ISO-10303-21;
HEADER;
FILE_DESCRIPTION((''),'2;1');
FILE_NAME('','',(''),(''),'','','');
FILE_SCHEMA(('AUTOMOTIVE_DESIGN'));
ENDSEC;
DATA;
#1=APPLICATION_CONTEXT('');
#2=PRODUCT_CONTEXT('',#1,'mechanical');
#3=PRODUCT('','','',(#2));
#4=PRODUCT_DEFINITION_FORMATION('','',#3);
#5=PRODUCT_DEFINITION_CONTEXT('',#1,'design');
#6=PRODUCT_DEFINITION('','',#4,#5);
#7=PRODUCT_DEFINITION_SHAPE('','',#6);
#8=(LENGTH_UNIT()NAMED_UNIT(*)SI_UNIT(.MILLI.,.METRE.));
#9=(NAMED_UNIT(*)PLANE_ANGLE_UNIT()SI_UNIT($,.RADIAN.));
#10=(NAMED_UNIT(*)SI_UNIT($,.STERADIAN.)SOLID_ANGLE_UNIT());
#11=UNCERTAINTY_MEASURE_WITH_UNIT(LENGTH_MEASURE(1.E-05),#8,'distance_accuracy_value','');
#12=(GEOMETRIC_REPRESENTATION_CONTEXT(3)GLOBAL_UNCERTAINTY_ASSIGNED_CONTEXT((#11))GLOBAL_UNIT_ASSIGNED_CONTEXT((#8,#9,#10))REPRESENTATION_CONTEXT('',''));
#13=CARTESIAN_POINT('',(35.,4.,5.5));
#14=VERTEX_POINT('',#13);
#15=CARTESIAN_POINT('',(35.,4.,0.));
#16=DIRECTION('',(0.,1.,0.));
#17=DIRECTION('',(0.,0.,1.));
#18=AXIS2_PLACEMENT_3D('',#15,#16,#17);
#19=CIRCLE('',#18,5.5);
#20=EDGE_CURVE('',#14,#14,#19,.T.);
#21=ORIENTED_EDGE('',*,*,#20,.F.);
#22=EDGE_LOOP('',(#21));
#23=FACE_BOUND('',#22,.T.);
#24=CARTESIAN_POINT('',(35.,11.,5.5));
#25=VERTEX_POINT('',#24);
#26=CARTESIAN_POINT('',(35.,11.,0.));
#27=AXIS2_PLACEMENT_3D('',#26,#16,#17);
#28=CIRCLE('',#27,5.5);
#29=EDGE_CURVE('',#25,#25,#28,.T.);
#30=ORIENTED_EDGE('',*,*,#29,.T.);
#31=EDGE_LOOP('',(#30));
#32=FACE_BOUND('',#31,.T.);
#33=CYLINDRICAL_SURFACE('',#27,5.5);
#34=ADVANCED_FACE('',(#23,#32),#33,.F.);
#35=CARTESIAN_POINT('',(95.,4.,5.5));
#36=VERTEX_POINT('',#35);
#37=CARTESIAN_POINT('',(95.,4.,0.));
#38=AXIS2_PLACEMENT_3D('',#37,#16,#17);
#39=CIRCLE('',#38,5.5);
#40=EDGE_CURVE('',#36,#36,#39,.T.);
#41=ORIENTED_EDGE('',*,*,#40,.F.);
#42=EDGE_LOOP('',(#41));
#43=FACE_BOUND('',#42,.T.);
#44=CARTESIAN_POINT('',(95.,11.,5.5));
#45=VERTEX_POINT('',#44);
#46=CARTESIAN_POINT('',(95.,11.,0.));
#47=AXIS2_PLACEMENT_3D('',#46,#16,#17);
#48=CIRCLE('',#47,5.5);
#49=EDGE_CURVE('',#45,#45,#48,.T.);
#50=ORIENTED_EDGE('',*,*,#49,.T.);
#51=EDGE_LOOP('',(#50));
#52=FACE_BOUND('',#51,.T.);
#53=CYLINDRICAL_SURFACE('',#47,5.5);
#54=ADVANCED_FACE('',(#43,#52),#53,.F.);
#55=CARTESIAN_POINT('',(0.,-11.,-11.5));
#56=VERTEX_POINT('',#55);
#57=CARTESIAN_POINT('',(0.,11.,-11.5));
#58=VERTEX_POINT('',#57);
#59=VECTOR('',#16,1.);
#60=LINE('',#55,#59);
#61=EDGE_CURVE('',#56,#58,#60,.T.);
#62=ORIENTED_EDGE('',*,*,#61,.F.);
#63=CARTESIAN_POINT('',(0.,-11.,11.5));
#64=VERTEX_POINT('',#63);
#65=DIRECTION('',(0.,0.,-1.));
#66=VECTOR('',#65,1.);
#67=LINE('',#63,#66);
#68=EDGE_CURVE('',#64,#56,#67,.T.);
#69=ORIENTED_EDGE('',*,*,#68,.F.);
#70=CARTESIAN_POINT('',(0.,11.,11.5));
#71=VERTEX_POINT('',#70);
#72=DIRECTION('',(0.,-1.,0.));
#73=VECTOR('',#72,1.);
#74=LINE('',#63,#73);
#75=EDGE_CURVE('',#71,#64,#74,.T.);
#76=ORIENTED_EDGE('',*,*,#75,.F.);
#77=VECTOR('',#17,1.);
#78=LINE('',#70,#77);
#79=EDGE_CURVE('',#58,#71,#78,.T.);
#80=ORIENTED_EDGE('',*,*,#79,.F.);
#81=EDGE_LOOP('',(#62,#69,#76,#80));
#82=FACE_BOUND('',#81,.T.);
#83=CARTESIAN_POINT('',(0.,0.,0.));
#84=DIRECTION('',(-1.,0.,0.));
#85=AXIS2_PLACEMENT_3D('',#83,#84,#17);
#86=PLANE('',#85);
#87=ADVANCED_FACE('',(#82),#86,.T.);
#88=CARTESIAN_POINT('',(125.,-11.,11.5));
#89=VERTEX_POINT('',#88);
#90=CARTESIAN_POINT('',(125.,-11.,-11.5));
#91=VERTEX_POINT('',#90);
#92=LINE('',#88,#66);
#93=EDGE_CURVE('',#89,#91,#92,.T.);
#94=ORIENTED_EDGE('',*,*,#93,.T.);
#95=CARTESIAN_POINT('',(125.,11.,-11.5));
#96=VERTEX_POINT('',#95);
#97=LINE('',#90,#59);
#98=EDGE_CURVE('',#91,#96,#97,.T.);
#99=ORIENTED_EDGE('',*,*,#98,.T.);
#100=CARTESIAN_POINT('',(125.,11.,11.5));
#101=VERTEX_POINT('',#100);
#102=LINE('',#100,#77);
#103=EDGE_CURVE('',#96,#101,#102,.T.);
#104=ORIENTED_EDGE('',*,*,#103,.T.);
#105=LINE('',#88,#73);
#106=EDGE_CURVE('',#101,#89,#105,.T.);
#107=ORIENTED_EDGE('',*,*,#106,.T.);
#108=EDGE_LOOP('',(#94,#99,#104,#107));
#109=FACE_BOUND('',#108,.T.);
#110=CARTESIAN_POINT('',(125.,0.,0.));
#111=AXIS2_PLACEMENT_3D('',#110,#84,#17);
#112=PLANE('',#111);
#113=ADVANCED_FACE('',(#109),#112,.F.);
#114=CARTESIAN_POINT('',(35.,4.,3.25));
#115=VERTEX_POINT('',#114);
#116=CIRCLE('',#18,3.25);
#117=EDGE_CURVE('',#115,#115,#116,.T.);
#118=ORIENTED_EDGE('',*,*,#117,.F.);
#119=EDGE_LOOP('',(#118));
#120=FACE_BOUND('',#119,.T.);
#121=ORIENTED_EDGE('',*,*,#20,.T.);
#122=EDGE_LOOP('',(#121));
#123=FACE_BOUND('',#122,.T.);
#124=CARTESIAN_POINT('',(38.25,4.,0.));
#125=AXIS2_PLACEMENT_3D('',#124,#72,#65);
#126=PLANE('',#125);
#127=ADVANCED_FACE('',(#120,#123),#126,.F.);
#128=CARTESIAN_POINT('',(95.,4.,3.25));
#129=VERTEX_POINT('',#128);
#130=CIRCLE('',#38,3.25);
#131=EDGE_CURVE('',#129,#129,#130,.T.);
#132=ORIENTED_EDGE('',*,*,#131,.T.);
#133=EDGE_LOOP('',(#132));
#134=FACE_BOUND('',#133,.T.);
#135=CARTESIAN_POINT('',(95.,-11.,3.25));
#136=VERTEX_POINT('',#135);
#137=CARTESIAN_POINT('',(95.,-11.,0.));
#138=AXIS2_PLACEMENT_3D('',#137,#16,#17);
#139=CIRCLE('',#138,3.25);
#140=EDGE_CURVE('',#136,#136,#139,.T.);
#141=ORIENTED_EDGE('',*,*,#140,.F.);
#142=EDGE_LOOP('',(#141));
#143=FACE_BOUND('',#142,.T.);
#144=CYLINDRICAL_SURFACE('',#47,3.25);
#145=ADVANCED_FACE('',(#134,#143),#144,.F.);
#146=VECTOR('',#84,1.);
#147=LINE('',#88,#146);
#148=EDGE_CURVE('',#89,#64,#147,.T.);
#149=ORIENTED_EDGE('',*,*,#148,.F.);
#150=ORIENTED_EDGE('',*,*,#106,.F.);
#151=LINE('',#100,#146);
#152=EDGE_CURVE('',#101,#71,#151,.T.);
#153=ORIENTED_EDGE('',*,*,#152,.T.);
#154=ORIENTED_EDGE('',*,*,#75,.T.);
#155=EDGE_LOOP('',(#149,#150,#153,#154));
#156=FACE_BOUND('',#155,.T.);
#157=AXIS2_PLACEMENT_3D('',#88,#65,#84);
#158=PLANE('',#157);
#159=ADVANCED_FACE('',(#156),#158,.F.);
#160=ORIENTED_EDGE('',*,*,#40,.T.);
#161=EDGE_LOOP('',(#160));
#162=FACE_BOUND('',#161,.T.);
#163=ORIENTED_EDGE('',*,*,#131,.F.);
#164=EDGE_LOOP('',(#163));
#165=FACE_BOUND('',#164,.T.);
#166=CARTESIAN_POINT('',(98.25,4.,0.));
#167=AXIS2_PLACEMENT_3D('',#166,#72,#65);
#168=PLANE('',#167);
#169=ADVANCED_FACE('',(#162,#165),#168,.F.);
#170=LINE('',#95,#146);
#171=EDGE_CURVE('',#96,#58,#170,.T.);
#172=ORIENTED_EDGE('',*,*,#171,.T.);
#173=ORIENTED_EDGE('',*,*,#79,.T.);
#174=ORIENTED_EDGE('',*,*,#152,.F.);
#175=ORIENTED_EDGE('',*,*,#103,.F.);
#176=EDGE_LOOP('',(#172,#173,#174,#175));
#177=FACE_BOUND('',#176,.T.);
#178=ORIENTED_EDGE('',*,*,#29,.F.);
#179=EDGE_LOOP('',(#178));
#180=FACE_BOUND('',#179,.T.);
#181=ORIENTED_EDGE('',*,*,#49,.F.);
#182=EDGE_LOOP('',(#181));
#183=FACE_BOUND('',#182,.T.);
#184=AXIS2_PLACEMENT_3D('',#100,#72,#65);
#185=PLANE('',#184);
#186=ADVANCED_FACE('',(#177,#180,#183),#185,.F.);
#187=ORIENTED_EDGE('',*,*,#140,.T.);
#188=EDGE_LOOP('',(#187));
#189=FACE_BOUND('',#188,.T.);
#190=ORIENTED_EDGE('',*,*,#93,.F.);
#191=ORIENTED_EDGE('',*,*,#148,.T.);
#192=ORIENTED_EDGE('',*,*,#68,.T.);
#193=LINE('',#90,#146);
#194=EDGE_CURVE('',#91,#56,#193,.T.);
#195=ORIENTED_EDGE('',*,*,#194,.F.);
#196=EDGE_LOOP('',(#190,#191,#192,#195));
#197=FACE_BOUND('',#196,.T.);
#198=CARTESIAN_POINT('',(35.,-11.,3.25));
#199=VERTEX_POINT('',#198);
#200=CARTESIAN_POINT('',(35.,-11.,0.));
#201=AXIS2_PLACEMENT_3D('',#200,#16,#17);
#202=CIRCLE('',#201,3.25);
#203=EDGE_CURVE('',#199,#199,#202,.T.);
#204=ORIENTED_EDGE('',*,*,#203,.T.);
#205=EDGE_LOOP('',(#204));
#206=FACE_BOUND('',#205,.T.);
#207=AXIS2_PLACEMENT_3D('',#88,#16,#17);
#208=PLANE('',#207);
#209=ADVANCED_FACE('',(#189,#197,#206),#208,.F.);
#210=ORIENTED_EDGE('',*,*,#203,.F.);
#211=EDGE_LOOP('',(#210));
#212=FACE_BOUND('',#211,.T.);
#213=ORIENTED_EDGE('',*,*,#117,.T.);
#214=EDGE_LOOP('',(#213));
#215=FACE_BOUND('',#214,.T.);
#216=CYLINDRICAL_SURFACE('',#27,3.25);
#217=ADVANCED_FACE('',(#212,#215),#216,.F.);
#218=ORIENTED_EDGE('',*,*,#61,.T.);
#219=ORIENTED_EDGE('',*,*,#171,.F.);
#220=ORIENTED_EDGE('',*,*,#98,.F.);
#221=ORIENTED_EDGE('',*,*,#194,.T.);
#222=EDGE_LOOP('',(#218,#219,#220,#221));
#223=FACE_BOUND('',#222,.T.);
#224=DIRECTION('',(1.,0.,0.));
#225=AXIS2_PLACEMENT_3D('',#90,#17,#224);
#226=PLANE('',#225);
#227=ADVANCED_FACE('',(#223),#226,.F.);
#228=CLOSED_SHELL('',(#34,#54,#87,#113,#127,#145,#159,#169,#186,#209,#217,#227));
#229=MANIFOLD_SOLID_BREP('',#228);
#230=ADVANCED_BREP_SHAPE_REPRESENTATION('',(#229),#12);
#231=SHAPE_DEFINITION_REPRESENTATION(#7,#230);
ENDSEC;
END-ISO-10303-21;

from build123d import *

# Parameters (mm, degrees)
SKETCH_1_W                = 23
SKETCH_1_H                = 22
EXTRUDE_1_DEPTH           = 125
HOLE_WIZARD_1_D           = 6.5
HOLE_WIZARD_1_CBORE_D     = 11
HOLE_WIZARD_1_CBORE_DEPTH = 7
PATTERN_LINEAR_2_COUNT    = 2
PATTERN_LINEAR_2_PITCH    = 60


with BuildPart() as part:
    # 草图1 → 凸台-拉伸1 (new body)
    with BuildSketch(Plane(origin=(0, 0, 0), x_dir=(0, 0, -1), z_dir=(1, 0, 0))):
        Rectangle(SKETCH_1_W, SKETCH_1_H)
    extrude(amount=EXTRUDE_1_DEPTH)

    # 打孔尺寸(%根据)内六角圆柱头螺钉的类型1 (through all)
    with Locations(Plane(origin=(0, 11, 0), x_dir=(1, 0, 0), z_dir=(0, 1, 0))):
        with Locations((35, 0)):
            hole_wizard_1 = CounterBoreHole(HOLE_WIZARD_1_D / 2, HOLE_WIZARD_1_CBORE_D / 2, HOLE_WIZARD_1_CBORE_DEPTH)

    # 阵列(线性)2: 打孔尺寸(%根据)内六角圆柱头螺钉的类型1 ×2
    with Locations(*[(i * PATTERN_LINEAR_2_PITCH, 0, 0) for i in range(1, PATTERN_LINEAR_2_COUNT)]):
        add(hole_wizard_1, mode=Mode.SUBTRACT)


solid = part.part
